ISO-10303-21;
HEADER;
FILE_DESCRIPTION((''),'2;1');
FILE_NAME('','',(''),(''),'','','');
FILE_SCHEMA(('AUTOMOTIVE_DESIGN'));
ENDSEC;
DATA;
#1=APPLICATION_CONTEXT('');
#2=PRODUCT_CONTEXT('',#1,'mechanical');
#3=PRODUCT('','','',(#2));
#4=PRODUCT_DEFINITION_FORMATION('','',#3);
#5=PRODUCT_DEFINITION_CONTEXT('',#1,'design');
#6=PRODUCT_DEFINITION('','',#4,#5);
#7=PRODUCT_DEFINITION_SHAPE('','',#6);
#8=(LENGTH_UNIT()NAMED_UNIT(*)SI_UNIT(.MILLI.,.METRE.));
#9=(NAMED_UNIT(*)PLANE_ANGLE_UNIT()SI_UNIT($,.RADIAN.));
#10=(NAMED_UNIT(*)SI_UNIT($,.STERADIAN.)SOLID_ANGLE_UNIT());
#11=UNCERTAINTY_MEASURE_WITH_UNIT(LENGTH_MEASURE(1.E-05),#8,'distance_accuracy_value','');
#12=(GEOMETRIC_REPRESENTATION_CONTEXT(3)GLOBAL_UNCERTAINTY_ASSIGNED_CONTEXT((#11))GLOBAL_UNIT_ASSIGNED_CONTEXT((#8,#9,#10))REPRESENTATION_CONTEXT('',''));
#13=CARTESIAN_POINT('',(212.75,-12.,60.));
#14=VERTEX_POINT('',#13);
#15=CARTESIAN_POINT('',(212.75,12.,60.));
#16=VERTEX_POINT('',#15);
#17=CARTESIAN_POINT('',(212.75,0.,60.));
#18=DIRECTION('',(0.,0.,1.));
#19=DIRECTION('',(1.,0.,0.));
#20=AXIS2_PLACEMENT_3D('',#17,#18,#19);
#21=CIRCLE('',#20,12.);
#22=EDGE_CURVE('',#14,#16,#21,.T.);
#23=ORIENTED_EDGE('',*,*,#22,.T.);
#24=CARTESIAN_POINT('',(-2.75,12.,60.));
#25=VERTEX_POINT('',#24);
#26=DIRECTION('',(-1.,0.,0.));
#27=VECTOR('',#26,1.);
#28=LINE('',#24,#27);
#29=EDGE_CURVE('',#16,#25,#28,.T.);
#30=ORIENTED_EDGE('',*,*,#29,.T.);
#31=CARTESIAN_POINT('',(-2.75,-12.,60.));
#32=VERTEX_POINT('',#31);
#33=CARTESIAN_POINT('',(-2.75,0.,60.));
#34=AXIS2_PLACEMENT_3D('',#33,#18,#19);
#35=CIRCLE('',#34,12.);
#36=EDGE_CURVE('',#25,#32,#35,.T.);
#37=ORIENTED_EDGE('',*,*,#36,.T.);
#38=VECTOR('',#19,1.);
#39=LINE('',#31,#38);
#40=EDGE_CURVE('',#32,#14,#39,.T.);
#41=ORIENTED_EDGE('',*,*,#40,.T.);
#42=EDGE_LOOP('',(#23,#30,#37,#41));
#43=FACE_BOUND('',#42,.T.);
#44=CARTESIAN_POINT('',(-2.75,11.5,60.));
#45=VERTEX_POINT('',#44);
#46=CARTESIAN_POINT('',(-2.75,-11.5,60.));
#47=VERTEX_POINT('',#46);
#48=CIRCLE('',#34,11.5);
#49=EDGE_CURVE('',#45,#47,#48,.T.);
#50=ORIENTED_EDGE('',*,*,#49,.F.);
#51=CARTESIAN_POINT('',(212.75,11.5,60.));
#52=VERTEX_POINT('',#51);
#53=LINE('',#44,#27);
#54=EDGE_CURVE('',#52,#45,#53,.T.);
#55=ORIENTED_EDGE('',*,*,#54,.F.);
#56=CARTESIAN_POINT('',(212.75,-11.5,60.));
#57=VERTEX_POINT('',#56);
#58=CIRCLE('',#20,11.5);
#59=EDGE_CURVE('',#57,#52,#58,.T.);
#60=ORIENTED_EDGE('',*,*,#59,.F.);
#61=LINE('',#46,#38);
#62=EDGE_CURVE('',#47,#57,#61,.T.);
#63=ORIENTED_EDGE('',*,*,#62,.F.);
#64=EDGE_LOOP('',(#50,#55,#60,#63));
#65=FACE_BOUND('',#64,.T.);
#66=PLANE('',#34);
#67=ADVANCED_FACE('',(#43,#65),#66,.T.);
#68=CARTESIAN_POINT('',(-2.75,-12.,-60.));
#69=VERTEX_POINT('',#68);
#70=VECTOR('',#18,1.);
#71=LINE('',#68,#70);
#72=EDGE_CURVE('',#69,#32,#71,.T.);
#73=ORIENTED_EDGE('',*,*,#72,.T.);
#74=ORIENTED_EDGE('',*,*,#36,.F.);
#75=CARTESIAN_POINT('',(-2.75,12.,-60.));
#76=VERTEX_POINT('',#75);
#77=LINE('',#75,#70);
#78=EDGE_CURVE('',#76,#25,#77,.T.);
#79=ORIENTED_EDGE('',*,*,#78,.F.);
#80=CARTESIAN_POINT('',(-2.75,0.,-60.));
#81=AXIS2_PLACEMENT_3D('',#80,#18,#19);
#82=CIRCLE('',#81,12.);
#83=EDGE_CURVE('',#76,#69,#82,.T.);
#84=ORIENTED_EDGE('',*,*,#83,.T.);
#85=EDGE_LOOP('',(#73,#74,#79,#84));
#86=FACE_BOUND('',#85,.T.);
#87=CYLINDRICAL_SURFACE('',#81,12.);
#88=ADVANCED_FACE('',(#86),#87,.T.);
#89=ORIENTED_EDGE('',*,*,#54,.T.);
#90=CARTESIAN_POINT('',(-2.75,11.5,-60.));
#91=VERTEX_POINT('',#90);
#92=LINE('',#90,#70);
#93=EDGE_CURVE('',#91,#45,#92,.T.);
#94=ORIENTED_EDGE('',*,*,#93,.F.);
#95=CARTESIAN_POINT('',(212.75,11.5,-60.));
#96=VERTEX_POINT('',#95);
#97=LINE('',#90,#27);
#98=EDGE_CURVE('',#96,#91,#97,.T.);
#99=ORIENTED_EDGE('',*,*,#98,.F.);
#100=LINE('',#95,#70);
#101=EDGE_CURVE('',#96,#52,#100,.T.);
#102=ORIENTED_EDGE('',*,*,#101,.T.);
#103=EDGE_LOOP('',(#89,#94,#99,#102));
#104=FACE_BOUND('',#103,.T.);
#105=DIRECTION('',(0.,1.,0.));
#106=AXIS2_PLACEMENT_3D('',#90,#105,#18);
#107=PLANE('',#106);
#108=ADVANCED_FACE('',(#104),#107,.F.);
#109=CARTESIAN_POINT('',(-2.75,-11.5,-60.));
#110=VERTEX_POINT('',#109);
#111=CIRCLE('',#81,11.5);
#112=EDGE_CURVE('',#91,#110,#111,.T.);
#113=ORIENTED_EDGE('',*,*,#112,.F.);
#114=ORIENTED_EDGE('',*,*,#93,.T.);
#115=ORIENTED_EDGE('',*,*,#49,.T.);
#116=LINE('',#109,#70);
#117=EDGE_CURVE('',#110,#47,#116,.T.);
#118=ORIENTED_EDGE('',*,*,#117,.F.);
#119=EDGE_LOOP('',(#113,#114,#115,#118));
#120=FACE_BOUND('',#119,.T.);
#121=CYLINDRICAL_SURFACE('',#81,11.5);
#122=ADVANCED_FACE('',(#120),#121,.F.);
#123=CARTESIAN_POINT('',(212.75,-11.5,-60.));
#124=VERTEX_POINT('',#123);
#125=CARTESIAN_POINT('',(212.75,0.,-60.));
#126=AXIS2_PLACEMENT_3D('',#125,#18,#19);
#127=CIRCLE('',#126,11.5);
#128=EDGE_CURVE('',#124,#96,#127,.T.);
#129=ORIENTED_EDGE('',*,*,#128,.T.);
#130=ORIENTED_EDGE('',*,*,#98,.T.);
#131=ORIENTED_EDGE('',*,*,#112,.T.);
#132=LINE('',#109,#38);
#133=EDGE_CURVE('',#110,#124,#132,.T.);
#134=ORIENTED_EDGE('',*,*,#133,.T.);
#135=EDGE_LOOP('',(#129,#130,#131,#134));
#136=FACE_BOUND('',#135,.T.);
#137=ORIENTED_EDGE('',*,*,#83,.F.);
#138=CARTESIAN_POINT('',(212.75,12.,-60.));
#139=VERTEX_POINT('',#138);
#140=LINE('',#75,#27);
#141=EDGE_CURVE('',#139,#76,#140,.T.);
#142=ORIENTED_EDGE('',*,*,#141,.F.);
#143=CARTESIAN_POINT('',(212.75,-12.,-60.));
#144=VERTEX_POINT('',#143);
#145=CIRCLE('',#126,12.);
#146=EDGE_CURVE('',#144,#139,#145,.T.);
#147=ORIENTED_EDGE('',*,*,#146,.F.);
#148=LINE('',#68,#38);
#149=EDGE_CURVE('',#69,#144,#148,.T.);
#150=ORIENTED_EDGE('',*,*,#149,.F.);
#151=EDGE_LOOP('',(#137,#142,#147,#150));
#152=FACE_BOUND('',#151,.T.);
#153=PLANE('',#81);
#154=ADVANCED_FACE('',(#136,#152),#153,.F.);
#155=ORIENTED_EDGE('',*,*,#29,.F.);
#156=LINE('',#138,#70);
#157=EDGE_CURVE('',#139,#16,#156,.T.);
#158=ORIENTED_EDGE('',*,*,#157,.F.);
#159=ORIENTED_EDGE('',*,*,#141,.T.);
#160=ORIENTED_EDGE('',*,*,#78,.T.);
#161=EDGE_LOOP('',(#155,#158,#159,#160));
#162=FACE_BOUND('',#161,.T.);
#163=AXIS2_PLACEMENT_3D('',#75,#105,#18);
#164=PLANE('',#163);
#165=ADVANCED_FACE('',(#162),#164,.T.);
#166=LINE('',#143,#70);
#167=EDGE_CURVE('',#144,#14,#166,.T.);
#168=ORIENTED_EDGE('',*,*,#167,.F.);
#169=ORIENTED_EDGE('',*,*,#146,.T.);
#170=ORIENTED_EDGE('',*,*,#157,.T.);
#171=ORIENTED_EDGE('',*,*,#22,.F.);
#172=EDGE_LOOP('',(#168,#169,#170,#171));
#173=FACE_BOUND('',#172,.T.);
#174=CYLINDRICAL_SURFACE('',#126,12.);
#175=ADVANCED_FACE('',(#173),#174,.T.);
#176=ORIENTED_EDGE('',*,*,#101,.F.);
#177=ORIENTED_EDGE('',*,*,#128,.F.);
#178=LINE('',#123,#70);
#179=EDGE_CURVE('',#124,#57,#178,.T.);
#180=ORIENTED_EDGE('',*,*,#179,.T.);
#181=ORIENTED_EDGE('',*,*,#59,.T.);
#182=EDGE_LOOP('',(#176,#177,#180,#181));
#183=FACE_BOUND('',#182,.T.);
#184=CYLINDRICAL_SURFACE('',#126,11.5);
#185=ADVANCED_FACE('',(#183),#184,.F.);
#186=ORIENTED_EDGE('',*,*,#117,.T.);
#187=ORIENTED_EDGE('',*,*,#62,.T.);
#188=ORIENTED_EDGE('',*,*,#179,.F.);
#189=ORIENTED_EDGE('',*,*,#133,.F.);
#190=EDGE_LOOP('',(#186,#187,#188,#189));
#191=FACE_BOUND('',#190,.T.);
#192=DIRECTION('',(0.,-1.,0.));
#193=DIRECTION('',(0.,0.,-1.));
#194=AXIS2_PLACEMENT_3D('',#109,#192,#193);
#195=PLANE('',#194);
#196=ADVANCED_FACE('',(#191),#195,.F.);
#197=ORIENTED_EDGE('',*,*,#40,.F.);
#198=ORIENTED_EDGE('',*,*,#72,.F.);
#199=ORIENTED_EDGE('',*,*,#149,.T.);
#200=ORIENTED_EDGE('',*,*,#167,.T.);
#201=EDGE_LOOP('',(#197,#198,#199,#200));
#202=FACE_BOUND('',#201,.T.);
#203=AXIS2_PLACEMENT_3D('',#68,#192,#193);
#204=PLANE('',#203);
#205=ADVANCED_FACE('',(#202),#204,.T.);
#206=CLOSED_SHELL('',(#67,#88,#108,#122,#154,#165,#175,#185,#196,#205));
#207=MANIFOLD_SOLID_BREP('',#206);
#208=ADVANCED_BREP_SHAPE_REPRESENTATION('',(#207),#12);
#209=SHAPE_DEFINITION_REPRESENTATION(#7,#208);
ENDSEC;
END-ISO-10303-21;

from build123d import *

# Parameters (mm, degrees)
BOSS_EXTRUDE1_DEPTH = 120


with BuildPart() as part:
    # Sketch3 → Boss-Extrude1 (new body)
    with BuildSketch(Plane.XY.offset(60)):
        with BuildLine():
            Line((-2.75, 12), (212.75, 12))
            ThreePointArc((212.75, 12), (224.75, 0), (212.75, -12))
            Line((212.75, -12), (-2.75, -12))
            ThreePointArc((-2.75, -12), (-14.75, 0), (-2.75, 12))
        make_face()
        with BuildLine():
            Line((-2.75, 11.5), (212.75, 11.5))
            ThreePointArc((212.75, 11.5), (224.25, 0), (212.75, -11.5))
            Line((212.75, -11.5), (-2.75, -11.5))
            ThreePointArc((-2.75, -11.5), (-14.25, 0), (-2.75, 11.5))
        make_face(mode=Mode.SUBTRACT)
    extrude(amount=-BOSS_EXTRUDE1_DEPTH)


solid = part.part
